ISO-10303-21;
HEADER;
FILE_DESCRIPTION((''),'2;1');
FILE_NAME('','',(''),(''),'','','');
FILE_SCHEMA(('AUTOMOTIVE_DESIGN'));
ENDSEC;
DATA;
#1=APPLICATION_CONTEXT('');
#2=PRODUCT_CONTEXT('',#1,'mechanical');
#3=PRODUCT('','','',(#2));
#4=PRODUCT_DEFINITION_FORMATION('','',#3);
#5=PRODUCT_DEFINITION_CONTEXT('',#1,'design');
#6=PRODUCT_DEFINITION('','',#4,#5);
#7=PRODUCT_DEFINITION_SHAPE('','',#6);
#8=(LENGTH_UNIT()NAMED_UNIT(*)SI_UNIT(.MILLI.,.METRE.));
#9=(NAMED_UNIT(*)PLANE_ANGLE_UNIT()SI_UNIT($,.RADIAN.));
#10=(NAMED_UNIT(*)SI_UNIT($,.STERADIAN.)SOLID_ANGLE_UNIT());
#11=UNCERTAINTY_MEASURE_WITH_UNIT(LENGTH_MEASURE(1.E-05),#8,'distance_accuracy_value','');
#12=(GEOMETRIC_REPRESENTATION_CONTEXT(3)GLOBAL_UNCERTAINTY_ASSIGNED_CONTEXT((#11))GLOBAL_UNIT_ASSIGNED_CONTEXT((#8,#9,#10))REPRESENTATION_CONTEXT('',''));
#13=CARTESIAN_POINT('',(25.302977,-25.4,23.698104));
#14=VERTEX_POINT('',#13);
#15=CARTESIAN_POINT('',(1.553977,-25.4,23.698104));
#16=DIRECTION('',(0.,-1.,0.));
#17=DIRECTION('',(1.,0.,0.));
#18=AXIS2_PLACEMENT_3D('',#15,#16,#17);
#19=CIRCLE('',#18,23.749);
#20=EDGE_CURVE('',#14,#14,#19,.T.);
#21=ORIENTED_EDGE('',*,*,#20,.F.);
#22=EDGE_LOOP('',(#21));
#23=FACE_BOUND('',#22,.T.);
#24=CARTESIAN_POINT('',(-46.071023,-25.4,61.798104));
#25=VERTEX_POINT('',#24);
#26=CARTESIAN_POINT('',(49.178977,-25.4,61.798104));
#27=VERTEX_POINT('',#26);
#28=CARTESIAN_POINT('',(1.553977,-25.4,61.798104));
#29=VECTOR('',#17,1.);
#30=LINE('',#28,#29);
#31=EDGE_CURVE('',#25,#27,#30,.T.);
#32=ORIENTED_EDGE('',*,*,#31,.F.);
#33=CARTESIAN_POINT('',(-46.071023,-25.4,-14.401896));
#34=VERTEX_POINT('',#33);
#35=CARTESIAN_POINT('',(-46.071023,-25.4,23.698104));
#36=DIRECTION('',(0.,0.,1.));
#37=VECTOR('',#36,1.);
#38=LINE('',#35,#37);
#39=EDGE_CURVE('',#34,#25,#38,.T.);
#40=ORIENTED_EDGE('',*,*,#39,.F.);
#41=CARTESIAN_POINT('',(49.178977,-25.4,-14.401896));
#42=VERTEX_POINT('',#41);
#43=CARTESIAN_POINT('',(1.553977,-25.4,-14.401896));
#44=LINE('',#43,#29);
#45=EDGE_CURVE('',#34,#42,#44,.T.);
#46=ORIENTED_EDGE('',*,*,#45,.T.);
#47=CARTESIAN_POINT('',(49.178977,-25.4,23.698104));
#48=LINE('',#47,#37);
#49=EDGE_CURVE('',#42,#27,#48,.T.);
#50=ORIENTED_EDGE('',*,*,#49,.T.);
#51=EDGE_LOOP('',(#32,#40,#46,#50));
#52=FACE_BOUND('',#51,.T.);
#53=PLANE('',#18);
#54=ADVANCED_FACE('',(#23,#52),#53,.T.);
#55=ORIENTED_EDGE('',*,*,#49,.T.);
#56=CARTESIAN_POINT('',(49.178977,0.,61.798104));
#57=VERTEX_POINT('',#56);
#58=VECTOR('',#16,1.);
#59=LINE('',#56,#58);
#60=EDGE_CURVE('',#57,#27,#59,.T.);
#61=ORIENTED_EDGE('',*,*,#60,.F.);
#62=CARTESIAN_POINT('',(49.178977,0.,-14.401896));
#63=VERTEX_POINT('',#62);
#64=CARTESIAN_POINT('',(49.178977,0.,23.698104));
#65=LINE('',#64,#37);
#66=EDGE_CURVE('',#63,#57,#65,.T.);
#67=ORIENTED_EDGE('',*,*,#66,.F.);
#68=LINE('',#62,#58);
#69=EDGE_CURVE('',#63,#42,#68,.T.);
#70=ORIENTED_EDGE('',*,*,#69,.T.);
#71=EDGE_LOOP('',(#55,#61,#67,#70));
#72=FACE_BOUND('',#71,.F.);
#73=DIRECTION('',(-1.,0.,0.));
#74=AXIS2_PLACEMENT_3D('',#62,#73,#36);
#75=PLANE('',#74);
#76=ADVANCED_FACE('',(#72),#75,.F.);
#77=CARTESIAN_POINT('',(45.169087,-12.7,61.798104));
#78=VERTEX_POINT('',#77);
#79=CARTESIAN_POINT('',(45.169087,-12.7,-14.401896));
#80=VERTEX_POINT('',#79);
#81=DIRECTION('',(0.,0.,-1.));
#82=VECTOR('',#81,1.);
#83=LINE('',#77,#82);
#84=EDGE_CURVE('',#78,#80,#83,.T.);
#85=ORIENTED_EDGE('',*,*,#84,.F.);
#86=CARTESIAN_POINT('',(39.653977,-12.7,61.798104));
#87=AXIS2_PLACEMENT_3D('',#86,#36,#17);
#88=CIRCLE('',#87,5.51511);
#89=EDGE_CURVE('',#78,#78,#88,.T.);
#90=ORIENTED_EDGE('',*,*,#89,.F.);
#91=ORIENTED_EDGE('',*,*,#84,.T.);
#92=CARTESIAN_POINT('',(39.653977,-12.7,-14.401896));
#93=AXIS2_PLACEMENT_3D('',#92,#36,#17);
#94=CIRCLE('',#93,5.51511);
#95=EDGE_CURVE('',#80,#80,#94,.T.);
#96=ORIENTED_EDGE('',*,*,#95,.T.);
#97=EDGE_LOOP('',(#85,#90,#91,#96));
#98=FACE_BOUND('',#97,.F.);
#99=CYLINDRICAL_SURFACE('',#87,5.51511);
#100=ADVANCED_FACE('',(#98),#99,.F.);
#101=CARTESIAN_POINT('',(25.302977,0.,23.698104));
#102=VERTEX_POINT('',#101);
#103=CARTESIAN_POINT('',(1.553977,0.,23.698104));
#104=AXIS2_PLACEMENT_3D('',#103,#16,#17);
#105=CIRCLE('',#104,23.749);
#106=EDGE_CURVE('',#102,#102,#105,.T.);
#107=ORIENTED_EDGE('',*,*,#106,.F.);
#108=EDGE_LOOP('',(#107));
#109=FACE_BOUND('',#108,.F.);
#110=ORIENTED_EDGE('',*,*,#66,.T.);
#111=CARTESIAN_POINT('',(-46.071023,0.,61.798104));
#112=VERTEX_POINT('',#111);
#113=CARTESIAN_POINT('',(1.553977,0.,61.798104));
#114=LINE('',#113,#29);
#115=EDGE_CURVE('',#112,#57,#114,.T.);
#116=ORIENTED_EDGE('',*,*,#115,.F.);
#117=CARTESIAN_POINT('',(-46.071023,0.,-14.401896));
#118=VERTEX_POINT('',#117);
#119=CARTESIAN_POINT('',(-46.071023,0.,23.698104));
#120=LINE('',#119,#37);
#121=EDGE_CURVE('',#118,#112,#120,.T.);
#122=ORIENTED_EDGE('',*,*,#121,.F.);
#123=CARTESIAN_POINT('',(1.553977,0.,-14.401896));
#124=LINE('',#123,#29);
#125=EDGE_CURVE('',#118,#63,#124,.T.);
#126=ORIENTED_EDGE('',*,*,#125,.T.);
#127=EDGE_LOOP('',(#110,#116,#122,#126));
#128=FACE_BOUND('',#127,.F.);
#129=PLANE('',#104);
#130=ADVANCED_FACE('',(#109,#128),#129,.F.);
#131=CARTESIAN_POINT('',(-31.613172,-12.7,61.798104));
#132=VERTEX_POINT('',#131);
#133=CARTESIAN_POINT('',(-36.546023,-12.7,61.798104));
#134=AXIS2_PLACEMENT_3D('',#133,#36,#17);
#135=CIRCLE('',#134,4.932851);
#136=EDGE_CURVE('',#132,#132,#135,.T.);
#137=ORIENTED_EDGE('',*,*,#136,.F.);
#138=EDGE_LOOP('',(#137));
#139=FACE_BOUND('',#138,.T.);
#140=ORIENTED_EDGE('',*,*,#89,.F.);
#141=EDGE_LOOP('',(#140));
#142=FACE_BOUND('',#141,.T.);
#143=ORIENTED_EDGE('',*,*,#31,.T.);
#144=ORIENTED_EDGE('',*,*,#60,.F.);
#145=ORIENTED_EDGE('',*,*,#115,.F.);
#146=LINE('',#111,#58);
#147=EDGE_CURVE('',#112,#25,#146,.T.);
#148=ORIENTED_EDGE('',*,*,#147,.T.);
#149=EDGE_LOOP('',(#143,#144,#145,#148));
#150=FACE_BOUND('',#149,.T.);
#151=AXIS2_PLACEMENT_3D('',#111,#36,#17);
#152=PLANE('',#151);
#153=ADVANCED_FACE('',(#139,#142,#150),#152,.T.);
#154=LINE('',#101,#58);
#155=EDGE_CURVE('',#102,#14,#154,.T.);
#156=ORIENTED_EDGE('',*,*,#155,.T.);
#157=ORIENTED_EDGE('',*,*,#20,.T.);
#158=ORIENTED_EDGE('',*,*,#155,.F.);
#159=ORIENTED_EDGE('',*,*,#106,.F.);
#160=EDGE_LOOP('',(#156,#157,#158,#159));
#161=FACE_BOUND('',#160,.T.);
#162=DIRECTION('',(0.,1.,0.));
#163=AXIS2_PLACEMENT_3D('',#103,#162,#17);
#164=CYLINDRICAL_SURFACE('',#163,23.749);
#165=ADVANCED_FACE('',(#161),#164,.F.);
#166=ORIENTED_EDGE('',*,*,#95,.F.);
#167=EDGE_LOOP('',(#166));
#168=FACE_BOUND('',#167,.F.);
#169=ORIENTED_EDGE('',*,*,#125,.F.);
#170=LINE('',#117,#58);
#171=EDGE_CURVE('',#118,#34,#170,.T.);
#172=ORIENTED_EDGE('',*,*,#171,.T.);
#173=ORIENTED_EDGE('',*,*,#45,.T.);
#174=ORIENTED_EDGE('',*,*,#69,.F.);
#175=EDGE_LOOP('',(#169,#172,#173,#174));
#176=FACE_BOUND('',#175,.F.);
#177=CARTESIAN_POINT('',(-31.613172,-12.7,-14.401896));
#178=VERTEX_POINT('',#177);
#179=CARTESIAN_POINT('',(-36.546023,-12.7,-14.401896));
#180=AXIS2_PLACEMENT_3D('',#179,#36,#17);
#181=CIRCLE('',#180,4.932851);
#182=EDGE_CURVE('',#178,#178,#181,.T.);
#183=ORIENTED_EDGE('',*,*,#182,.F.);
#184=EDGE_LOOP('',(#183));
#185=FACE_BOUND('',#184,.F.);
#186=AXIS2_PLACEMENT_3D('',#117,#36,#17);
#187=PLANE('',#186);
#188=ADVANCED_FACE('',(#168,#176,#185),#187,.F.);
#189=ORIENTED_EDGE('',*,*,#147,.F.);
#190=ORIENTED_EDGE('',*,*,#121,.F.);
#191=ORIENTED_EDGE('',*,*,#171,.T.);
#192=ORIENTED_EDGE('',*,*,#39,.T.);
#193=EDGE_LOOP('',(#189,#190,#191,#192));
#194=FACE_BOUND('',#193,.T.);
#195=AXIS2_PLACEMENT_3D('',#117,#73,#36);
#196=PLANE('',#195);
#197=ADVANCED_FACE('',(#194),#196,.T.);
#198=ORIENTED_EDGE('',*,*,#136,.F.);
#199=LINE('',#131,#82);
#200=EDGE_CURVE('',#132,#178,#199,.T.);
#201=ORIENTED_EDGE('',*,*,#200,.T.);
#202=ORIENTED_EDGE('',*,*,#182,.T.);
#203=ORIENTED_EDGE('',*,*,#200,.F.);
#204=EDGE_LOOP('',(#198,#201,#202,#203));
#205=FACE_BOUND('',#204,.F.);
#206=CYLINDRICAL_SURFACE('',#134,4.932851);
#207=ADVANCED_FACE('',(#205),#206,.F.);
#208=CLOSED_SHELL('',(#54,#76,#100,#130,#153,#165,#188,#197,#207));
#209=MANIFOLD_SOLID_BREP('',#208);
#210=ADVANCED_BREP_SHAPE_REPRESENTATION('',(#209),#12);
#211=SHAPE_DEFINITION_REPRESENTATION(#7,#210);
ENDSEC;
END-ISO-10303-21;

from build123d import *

# Parameters (mm, degrees)
F0_W     = 95.25
F0_H     = 76.2
F0_R     = 23.749
F1_DEPTH = 25.4
F2_R     = 4.932851
F2_R_2   = 5.51511
F3_DEPTH = 113.8043


with BuildPart() as f1:
    # F0 (on Front) → F1 (new body)
    with BuildSketch(Plane.XZ):
        with Locations((1.553977, 23.698104)):
            Rectangle(F0_W, F0_H)
        with Locations((1.553977, 23.698104)):
            Circle(F0_R, mode=Mode.SUBTRACT)
    extrude(amount=F1_DEPTH)

    # F2 (on face) → F3 (cut)
    with BuildSketch(Plane.XY.offset(61.798104)):
        with Locations((-36.546023, -12.7)):
            Circle(F2_R)
        with Locations((39.653977, -12.7)):
            Circle(F2_R_2)
    extrude(amount=-F3_DEPTH, mode=Mode.SUBTRACT)


solid = f1.part
